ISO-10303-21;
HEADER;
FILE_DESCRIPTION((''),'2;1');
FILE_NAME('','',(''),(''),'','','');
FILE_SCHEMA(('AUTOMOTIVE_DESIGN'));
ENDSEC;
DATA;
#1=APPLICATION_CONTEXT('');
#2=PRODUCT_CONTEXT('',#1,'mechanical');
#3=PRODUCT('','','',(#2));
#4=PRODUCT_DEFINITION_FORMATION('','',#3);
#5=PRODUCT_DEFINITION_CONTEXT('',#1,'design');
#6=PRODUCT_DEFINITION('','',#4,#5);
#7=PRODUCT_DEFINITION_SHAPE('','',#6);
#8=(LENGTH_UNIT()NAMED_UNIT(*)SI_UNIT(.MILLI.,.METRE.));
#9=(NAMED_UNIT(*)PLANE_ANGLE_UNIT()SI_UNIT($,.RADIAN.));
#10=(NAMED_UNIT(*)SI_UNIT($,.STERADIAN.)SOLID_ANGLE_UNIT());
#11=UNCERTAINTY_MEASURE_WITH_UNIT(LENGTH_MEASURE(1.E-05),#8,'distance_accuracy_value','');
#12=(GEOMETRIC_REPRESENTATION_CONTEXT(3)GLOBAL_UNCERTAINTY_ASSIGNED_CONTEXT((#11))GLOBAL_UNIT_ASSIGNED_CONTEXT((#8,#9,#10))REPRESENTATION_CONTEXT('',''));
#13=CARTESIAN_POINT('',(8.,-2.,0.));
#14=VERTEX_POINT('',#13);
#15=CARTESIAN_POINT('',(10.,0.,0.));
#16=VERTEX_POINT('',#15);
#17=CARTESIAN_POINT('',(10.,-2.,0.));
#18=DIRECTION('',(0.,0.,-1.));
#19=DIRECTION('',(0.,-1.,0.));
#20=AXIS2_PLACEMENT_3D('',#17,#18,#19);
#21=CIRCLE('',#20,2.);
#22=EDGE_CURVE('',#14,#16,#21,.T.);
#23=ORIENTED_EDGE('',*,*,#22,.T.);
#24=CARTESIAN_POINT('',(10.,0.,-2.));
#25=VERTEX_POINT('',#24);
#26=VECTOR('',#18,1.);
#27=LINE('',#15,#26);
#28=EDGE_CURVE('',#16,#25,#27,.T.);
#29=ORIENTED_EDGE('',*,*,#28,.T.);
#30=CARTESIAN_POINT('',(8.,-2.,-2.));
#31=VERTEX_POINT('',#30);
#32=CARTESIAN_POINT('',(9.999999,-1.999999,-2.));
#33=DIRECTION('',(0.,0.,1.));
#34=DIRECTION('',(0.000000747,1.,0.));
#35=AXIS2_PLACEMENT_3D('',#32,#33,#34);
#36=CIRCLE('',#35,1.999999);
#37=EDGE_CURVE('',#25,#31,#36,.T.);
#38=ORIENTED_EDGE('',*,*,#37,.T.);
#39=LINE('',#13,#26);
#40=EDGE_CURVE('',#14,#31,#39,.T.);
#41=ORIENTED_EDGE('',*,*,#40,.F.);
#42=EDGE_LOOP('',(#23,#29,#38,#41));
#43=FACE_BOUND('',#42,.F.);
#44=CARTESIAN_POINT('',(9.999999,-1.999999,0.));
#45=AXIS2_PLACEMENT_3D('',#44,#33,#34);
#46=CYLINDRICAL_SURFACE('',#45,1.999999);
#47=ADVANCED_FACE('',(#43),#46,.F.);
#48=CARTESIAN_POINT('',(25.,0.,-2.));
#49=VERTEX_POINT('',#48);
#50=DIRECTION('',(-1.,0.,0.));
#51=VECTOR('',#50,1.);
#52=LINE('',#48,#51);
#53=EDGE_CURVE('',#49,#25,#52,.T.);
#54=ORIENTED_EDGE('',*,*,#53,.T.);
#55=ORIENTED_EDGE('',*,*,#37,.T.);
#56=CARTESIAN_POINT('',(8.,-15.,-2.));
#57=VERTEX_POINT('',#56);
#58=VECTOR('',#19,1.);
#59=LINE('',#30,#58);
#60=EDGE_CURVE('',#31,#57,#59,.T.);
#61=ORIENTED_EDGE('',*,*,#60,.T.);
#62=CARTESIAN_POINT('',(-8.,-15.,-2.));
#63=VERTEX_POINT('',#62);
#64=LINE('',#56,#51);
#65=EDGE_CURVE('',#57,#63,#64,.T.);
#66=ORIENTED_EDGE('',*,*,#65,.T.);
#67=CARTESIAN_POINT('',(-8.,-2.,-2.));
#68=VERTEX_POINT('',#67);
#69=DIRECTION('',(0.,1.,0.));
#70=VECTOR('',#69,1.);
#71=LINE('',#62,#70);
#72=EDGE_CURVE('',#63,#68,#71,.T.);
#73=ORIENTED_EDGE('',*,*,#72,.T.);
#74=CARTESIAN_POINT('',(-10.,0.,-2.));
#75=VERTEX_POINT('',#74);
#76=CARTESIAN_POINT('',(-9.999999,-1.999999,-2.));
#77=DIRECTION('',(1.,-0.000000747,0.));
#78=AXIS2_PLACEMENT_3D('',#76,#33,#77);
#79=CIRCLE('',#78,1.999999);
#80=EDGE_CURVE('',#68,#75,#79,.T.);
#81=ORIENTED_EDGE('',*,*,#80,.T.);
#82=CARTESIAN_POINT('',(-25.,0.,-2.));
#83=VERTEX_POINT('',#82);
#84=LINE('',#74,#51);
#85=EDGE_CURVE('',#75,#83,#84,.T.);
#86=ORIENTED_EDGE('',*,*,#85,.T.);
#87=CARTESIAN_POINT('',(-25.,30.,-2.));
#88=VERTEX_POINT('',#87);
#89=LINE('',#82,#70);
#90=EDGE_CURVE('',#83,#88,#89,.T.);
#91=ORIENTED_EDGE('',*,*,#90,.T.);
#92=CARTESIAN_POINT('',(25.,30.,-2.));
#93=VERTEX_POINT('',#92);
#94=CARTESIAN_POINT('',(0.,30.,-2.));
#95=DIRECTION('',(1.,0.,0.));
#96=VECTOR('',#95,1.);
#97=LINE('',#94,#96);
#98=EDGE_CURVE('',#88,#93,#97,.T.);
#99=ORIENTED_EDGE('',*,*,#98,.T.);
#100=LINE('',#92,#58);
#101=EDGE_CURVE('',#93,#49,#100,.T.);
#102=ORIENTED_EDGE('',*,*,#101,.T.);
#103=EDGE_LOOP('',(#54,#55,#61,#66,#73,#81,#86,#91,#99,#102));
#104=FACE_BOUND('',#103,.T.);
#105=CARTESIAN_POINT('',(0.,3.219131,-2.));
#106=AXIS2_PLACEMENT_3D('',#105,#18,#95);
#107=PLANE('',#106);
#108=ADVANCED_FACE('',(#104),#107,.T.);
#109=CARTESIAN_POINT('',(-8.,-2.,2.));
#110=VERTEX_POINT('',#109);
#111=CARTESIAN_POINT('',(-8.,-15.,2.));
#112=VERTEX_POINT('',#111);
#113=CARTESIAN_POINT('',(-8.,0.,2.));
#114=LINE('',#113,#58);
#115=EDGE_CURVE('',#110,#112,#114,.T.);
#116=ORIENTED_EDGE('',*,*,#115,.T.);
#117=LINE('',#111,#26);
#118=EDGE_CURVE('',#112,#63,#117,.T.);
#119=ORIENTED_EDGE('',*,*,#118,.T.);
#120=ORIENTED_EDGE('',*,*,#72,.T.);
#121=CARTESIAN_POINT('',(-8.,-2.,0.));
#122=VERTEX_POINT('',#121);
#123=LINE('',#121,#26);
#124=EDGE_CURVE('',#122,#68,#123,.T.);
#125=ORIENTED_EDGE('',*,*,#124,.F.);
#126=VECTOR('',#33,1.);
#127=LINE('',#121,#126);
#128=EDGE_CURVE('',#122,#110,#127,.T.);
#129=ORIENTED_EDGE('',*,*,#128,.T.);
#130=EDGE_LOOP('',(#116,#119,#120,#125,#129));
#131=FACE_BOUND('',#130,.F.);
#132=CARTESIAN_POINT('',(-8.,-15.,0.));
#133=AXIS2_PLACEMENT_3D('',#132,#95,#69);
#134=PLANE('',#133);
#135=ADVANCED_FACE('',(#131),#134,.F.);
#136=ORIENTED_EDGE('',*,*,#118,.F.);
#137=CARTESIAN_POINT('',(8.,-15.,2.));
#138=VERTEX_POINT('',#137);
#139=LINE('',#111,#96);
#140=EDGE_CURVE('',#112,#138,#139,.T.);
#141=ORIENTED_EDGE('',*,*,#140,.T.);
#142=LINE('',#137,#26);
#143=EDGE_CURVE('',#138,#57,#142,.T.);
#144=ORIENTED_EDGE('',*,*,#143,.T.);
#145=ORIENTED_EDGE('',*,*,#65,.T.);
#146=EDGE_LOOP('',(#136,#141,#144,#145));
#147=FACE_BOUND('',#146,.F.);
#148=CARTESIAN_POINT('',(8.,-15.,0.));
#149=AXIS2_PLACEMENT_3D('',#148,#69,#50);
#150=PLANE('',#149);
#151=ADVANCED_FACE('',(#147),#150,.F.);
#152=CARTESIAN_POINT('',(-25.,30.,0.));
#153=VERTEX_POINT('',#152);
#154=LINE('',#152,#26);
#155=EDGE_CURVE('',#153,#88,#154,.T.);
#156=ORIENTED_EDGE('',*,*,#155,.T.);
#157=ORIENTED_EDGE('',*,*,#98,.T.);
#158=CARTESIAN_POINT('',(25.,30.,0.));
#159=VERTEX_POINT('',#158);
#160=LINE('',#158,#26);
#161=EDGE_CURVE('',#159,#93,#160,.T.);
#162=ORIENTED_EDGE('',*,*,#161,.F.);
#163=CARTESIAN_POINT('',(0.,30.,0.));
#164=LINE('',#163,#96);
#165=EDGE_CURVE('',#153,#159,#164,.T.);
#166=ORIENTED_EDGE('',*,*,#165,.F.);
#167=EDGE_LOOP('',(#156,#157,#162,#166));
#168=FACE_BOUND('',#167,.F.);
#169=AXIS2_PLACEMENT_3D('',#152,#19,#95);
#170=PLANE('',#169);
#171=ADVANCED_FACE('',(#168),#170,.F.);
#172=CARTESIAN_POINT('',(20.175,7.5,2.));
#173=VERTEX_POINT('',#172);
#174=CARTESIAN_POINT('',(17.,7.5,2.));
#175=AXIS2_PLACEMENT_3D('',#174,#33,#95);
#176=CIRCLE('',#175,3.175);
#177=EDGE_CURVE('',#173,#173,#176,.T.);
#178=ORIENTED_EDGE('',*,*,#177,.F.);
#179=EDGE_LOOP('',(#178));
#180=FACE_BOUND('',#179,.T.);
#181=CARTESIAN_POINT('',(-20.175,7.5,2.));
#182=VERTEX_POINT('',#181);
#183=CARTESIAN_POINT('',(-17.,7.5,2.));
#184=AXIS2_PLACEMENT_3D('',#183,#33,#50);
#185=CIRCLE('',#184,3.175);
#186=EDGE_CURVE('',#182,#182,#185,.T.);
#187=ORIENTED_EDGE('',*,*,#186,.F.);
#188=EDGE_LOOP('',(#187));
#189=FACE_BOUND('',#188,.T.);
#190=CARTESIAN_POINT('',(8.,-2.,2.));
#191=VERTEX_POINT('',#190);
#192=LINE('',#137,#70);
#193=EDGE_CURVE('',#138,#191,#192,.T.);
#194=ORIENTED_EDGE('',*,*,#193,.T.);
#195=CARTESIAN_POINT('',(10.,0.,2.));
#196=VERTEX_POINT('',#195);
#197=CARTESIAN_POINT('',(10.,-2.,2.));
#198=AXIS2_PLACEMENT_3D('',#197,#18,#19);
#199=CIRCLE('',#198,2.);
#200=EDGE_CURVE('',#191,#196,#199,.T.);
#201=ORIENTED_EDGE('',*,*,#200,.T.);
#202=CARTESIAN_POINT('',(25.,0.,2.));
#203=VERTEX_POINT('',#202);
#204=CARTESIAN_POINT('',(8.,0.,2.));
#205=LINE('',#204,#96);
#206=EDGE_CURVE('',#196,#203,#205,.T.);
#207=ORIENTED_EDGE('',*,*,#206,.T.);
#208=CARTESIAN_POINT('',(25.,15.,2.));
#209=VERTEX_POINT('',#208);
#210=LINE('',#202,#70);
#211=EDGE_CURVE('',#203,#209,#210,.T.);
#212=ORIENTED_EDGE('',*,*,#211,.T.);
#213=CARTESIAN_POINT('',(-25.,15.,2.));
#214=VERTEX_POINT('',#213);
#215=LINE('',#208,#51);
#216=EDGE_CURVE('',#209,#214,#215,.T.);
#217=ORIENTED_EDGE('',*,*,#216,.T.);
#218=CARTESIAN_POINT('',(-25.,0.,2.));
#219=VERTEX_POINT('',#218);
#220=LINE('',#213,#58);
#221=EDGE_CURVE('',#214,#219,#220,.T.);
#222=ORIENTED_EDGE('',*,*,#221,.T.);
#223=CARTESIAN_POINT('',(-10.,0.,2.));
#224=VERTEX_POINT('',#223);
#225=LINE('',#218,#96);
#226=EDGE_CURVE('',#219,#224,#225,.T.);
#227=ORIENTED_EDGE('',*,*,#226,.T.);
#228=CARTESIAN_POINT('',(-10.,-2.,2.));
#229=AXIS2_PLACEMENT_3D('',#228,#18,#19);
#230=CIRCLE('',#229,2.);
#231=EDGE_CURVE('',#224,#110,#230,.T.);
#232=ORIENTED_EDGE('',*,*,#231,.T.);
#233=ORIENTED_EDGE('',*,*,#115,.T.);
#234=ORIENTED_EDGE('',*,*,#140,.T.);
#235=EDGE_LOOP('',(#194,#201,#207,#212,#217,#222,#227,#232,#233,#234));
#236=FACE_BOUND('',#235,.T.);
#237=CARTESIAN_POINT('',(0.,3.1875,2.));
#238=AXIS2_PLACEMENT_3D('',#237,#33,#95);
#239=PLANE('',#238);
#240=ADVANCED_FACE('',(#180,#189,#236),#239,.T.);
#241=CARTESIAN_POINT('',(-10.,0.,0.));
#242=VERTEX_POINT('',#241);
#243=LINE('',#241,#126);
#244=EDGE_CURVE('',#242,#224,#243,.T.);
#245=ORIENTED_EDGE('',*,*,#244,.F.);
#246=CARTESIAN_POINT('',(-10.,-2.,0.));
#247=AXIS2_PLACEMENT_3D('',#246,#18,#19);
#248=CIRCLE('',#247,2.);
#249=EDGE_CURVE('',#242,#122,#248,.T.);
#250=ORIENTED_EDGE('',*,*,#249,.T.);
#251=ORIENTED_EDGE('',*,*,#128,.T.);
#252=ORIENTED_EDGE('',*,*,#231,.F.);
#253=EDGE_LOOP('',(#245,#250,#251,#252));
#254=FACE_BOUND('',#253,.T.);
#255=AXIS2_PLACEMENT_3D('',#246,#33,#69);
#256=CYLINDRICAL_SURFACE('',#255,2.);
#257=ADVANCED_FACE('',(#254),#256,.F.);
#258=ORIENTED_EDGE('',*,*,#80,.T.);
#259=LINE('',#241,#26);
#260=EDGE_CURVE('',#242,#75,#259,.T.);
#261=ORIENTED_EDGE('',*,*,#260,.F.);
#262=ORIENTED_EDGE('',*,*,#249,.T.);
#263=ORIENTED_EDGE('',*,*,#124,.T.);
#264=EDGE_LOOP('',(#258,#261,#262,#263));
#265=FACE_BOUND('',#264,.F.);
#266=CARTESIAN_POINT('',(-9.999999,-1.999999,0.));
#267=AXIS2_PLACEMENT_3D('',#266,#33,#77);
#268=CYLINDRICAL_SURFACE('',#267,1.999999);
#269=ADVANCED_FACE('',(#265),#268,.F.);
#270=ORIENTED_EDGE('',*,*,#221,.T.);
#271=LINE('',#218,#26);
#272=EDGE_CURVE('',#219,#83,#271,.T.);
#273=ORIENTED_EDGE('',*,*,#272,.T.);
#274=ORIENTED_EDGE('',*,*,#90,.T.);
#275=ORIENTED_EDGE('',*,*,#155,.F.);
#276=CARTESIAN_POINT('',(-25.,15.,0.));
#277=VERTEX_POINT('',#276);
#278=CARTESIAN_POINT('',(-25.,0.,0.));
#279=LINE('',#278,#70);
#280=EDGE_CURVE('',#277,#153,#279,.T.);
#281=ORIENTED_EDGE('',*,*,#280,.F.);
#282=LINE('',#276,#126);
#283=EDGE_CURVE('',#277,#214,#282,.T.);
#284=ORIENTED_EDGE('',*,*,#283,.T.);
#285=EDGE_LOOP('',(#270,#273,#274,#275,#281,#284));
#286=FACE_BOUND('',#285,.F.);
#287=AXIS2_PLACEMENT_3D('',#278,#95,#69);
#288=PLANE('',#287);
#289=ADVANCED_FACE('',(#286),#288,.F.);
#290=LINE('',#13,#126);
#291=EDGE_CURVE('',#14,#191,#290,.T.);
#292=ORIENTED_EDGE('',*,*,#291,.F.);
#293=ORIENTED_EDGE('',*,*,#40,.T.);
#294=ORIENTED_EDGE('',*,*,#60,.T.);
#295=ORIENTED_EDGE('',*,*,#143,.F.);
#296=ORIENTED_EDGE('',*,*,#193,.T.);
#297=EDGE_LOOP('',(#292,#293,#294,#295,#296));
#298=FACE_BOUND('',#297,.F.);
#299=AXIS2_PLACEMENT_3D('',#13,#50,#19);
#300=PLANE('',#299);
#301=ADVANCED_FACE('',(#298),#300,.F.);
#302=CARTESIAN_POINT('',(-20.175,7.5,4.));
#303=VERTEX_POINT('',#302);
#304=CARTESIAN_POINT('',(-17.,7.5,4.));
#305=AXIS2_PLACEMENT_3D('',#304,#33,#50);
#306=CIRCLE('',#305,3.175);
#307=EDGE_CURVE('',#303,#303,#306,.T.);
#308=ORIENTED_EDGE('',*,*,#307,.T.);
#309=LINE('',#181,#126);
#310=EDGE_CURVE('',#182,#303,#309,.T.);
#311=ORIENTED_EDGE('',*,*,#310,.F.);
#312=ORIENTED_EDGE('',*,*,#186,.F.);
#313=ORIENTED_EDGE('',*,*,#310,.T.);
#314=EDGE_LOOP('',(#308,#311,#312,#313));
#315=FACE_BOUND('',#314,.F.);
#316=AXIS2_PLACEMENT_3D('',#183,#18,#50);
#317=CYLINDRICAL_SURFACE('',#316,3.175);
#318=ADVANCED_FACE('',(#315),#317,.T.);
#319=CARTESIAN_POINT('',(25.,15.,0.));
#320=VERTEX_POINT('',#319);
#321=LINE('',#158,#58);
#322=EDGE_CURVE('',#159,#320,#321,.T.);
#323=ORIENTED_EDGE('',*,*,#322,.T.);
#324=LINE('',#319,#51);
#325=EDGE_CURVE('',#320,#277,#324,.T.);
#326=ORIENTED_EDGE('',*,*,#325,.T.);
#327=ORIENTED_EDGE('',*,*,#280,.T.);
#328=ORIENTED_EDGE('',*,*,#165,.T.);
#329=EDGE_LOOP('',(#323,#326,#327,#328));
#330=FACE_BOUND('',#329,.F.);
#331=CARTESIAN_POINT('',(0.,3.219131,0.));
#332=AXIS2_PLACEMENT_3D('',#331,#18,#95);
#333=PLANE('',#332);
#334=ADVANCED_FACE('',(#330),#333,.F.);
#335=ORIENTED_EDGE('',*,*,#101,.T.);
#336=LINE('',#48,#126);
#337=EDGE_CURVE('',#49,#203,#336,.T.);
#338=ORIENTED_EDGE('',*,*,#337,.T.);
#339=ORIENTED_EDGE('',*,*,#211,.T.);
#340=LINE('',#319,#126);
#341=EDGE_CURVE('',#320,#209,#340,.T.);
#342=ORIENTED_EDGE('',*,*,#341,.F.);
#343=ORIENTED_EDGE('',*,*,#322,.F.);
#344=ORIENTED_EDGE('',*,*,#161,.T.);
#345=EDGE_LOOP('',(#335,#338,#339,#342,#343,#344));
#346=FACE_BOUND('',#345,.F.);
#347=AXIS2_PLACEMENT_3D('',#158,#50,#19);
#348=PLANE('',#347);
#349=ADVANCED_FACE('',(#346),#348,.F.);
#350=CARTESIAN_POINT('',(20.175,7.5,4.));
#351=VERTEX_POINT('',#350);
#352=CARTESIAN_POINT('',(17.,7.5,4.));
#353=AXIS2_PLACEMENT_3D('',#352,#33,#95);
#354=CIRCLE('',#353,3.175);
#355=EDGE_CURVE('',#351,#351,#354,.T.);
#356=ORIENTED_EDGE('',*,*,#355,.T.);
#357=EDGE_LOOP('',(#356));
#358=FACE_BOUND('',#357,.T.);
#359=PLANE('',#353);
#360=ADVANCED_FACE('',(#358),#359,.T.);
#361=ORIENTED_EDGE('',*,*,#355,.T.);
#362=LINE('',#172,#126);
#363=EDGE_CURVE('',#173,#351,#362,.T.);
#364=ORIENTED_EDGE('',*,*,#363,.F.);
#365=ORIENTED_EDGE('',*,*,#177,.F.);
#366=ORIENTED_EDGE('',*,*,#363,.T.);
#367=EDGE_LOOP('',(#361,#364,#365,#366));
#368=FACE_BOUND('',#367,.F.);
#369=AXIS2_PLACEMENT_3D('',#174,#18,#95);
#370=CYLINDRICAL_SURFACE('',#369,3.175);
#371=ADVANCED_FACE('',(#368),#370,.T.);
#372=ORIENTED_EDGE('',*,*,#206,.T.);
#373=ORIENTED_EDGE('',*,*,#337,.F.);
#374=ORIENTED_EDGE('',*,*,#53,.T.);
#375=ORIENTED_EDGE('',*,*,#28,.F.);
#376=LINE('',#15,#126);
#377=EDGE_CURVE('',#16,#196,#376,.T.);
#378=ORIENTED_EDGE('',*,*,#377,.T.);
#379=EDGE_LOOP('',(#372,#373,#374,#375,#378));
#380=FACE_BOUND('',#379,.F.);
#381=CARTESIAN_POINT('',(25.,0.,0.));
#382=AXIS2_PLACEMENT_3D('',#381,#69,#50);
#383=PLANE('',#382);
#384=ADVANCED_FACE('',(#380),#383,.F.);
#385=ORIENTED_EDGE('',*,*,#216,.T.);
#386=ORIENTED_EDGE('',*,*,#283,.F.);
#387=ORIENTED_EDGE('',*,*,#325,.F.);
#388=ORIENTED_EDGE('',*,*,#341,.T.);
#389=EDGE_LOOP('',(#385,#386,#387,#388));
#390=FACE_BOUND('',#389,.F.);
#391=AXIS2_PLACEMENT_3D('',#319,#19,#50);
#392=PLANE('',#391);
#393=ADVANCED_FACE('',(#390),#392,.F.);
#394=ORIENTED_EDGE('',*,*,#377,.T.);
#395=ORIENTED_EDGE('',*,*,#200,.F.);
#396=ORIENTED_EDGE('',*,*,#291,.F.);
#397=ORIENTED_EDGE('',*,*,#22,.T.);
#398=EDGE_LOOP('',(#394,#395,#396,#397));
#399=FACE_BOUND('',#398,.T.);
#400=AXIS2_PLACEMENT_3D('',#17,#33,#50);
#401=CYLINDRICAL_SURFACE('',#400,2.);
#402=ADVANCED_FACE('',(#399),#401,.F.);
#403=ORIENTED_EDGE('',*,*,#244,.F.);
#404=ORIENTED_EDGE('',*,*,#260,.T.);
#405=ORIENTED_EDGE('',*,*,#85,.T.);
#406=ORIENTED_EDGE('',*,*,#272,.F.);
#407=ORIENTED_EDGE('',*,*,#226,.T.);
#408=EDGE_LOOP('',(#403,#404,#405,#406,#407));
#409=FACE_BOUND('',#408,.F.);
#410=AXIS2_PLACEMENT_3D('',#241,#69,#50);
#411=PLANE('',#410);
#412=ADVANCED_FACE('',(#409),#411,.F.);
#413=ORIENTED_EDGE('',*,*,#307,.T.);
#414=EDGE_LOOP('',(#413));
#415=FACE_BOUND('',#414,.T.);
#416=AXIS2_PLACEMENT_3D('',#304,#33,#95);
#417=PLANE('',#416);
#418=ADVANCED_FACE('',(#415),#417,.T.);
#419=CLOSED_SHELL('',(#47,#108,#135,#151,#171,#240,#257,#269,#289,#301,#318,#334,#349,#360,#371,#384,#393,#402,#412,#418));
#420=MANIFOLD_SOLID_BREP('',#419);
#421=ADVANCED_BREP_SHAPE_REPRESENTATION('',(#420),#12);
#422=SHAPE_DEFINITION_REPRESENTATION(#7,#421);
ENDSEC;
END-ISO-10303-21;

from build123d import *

# Parameters (mm, degrees)
F1_DEPTH = 2
F2_R     = 2
F3_R     = 3.175
F4_DEPTH = 2
F5_W     = 50
F5_H     = 15
F6_DEPTH = 2


with BuildPart() as f1:
    # F0 (on Top) → F1 (new body)
    with BuildSketch(Plane.XY):
        Polygon((-8, -15), (8, -15), (8, 0), (25, 0), (25, 15), (-25, 15), (-25, 0), (-8, 0), align=None)
    extrude(amount=F1_DEPTH)

    # F2
    f2_edges = [f1.edges().sort_by_distance(p)[0] for p in [
        (-8, 0, 1),
        (8, 0, 1),
    ]]
    fillet(f2_edges, radius=F2_R)

    # F3 (on face) → F4 (join)
    with BuildSketch(Plane.XY.offset(2)):
        with BuildLine():
            ThreePointArc((-13.825, 7.5), (-17, 10.675), (-20.175, 7.5))
            ThreePointArc((-20.175, 7.5), (-17, 4.325), (-13.825, 7.5))
        make_face()
        with Locations((17, 7.5)):
            Circle(F3_R)
    extrude(amount=F4_DEPTH)

    # F5 (on face) → F6 (join)
    with BuildSketch(Plane(origin=(0, 0, 0), x_dir=(1, 0, 0), z_dir=(0, 0, -1))):
        with BuildLine():
            Line((8, 2), (8, 15))
            Line((8, 15), (-8, 15))
            Line((-8, 15), (-8, 2))
            ThreePointArc((-8, 2), (-8.585786, 0.585786), (-10, 0))
            Line((-10, 0), (-25, 0))
            Line((-25, 0), (-25, -15))
            Line((-25, -15), (25, -15))
            Line((25, -15), (25, 0))
            Line((25, 0), (10, 0))
            ThreePointArc((10, 0), (8.585786, 0.585786), (8, 2))
        make_face()
        with Locations((0, -22.5)):
            Rectangle(F5_W, F5_H)
    extrude(amount=F6_DEPTH)


solid = f1.part
